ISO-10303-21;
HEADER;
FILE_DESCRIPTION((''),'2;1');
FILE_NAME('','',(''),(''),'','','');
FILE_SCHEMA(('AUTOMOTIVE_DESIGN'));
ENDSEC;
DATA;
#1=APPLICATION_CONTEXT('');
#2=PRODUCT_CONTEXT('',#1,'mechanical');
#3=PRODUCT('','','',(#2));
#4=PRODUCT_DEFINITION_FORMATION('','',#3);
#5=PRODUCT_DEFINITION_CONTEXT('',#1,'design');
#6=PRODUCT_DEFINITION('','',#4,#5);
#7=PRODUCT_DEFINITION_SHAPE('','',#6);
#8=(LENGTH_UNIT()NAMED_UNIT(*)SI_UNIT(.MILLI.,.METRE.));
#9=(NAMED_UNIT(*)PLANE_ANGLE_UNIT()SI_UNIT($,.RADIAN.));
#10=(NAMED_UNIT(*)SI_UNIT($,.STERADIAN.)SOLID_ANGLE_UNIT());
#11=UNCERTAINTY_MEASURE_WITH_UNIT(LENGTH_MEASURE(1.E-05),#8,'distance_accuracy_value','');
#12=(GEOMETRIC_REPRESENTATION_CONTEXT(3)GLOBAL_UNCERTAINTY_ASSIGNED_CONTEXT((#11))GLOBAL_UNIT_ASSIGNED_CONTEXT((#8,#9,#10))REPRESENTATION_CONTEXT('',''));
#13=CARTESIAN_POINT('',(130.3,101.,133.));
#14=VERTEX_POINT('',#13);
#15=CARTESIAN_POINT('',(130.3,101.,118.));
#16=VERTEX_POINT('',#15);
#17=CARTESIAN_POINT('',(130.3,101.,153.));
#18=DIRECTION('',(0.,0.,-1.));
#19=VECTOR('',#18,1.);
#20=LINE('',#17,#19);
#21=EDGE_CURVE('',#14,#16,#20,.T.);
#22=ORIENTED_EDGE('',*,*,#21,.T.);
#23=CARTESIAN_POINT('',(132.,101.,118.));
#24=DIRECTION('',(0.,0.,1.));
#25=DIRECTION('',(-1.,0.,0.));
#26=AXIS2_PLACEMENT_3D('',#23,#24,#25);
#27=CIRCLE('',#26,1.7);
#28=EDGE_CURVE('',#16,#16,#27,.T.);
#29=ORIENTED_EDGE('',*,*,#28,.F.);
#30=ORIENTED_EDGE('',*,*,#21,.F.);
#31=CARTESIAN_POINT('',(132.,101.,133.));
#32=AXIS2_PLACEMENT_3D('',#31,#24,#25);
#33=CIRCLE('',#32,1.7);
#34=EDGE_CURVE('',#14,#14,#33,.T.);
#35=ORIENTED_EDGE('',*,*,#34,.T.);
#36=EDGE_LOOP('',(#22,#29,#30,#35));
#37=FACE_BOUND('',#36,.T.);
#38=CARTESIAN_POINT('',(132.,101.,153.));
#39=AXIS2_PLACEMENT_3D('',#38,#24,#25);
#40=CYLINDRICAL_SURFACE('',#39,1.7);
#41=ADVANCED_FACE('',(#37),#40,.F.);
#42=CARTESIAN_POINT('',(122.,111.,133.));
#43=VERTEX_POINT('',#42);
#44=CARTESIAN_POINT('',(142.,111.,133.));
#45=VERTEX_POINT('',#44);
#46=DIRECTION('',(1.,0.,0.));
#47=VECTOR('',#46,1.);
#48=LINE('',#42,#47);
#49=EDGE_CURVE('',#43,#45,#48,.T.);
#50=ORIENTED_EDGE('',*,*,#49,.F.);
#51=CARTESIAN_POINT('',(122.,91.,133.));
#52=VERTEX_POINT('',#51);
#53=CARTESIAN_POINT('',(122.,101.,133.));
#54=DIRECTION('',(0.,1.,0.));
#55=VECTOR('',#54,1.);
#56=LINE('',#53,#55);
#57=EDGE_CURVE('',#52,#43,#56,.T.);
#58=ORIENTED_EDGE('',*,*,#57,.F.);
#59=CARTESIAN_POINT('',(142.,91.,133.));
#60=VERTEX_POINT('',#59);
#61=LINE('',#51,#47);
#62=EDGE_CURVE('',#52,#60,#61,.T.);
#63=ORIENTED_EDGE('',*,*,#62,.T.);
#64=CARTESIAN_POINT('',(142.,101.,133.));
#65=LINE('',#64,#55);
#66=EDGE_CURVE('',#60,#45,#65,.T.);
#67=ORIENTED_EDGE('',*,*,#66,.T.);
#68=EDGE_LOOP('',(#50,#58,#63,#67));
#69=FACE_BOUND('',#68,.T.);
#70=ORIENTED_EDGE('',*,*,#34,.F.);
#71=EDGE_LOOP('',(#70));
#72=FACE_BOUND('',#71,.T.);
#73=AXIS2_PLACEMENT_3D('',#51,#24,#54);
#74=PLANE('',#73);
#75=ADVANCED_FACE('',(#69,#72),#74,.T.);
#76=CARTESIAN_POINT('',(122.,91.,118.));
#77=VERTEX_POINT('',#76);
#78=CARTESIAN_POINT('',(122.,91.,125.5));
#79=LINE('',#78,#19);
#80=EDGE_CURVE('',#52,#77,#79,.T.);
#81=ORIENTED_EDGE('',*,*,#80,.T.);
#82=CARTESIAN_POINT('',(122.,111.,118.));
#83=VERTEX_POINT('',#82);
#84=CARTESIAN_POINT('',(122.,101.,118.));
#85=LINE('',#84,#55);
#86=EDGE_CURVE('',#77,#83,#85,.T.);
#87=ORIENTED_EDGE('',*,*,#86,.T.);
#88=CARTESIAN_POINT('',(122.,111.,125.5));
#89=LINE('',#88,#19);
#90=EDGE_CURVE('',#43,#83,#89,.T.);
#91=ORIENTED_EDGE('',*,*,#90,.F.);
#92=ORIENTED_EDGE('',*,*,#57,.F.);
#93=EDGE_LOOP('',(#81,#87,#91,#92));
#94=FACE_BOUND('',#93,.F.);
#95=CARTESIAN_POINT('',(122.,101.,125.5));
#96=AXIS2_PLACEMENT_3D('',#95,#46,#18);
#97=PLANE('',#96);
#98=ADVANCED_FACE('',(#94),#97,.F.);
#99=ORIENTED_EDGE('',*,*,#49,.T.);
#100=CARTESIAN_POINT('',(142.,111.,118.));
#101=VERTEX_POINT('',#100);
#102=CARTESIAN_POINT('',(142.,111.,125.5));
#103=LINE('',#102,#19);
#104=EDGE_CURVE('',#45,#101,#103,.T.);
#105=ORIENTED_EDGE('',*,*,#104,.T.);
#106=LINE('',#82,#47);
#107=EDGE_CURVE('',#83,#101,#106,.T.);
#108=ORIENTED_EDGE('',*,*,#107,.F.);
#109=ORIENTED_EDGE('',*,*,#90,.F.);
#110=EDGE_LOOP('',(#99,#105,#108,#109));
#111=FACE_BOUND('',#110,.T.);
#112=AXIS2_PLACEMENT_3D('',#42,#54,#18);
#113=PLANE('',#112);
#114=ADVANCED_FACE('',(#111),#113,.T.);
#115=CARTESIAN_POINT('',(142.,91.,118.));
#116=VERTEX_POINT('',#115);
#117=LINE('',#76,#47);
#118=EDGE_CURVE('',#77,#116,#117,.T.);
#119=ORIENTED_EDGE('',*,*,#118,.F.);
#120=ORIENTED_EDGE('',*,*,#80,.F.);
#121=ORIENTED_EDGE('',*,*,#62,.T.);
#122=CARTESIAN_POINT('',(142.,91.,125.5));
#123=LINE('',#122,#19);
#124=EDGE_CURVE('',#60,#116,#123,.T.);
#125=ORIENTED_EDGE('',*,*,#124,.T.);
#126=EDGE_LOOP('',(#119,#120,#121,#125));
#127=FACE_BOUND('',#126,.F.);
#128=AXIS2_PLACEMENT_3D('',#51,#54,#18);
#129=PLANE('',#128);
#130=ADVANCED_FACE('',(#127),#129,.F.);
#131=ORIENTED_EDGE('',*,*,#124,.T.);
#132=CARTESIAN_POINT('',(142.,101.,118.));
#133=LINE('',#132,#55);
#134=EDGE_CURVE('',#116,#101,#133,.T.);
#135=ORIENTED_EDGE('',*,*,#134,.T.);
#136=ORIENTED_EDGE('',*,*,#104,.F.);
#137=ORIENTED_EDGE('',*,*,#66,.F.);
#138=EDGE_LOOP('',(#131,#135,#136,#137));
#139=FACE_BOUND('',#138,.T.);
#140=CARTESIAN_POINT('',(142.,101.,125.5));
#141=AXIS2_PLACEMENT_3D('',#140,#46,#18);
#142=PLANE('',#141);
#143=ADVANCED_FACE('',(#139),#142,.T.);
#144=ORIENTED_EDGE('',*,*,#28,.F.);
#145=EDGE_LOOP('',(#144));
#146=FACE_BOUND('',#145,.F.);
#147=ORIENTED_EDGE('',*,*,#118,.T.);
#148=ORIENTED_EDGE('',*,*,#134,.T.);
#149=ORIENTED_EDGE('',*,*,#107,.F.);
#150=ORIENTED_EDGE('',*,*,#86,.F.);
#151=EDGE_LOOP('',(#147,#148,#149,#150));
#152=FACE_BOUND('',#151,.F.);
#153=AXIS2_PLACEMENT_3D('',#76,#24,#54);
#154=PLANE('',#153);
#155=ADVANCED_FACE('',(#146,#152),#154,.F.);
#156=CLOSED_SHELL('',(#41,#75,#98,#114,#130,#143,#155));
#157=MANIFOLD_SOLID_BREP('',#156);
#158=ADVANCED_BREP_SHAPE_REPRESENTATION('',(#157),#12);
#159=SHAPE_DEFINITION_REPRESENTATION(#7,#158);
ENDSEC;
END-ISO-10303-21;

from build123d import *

# Parameters (mm, degrees)
CYLINDER052_R               = 1.7
CYLINDER052_DEPTH           = 80
CYLINDER052_PITCH_ANGLE     = 90
BOX013_W                    = 15
BOX013_H                    = 20
BOX013_DEPTH                = 20
CUT010035003035_PITCH_ANGLE = 90


with BuildPart() as taladro_tornillo012:
    # Cylinder052 → Cylinder052 (new body)
    with BuildSketch(Plane.XY):
        Circle(CYLINDER052_R)
    extrude(amount=CYLINDER052_DEPTH)


with BuildPart() as taladro_tornillo012_1:
    # Cylinder052 pitch: moved
    add(taladro_tornillo012.part.rotate(Axis((0, 0, 0), (0, 1, 0)), CYLINDER052_PITCH_ANGLE))


with BuildPart() as taladro_tornillo012_2:
    # Cylinder052 placement: moved
    add(taladro_tornillo012_1.part.moved(Location((-20, 10, 10))))


with BuildPart() as cut010035003035:
    # Box013 → Box013 (new body)
    with BuildSketch(Plane.XY):
        with Locations((7.5, 10)):
            Rectangle(BOX013_W, BOX013_H)
    extrude(amount=BOX013_DEPTH)

    # Cut010035003035: cut Taladro tornillo012
    add(taladro_tornillo012_2.part, mode=Mode.SUBTRACT)


with BuildPart() as cut010035003035_1:
    # Cut010035003035 pitch: moved
    add(cut010035003035.part.rotate(Axis((0, 0, 0), (0, 1, 0)), CUT010035003035_PITCH_ANGLE))


with BuildPart() as cut010035003035_2:
    # Cut010035003035 placement: moved
    add(cut010035003035_1.part.moved(Location((122, 91, 133))))


solid = cut010035003035_2.part
